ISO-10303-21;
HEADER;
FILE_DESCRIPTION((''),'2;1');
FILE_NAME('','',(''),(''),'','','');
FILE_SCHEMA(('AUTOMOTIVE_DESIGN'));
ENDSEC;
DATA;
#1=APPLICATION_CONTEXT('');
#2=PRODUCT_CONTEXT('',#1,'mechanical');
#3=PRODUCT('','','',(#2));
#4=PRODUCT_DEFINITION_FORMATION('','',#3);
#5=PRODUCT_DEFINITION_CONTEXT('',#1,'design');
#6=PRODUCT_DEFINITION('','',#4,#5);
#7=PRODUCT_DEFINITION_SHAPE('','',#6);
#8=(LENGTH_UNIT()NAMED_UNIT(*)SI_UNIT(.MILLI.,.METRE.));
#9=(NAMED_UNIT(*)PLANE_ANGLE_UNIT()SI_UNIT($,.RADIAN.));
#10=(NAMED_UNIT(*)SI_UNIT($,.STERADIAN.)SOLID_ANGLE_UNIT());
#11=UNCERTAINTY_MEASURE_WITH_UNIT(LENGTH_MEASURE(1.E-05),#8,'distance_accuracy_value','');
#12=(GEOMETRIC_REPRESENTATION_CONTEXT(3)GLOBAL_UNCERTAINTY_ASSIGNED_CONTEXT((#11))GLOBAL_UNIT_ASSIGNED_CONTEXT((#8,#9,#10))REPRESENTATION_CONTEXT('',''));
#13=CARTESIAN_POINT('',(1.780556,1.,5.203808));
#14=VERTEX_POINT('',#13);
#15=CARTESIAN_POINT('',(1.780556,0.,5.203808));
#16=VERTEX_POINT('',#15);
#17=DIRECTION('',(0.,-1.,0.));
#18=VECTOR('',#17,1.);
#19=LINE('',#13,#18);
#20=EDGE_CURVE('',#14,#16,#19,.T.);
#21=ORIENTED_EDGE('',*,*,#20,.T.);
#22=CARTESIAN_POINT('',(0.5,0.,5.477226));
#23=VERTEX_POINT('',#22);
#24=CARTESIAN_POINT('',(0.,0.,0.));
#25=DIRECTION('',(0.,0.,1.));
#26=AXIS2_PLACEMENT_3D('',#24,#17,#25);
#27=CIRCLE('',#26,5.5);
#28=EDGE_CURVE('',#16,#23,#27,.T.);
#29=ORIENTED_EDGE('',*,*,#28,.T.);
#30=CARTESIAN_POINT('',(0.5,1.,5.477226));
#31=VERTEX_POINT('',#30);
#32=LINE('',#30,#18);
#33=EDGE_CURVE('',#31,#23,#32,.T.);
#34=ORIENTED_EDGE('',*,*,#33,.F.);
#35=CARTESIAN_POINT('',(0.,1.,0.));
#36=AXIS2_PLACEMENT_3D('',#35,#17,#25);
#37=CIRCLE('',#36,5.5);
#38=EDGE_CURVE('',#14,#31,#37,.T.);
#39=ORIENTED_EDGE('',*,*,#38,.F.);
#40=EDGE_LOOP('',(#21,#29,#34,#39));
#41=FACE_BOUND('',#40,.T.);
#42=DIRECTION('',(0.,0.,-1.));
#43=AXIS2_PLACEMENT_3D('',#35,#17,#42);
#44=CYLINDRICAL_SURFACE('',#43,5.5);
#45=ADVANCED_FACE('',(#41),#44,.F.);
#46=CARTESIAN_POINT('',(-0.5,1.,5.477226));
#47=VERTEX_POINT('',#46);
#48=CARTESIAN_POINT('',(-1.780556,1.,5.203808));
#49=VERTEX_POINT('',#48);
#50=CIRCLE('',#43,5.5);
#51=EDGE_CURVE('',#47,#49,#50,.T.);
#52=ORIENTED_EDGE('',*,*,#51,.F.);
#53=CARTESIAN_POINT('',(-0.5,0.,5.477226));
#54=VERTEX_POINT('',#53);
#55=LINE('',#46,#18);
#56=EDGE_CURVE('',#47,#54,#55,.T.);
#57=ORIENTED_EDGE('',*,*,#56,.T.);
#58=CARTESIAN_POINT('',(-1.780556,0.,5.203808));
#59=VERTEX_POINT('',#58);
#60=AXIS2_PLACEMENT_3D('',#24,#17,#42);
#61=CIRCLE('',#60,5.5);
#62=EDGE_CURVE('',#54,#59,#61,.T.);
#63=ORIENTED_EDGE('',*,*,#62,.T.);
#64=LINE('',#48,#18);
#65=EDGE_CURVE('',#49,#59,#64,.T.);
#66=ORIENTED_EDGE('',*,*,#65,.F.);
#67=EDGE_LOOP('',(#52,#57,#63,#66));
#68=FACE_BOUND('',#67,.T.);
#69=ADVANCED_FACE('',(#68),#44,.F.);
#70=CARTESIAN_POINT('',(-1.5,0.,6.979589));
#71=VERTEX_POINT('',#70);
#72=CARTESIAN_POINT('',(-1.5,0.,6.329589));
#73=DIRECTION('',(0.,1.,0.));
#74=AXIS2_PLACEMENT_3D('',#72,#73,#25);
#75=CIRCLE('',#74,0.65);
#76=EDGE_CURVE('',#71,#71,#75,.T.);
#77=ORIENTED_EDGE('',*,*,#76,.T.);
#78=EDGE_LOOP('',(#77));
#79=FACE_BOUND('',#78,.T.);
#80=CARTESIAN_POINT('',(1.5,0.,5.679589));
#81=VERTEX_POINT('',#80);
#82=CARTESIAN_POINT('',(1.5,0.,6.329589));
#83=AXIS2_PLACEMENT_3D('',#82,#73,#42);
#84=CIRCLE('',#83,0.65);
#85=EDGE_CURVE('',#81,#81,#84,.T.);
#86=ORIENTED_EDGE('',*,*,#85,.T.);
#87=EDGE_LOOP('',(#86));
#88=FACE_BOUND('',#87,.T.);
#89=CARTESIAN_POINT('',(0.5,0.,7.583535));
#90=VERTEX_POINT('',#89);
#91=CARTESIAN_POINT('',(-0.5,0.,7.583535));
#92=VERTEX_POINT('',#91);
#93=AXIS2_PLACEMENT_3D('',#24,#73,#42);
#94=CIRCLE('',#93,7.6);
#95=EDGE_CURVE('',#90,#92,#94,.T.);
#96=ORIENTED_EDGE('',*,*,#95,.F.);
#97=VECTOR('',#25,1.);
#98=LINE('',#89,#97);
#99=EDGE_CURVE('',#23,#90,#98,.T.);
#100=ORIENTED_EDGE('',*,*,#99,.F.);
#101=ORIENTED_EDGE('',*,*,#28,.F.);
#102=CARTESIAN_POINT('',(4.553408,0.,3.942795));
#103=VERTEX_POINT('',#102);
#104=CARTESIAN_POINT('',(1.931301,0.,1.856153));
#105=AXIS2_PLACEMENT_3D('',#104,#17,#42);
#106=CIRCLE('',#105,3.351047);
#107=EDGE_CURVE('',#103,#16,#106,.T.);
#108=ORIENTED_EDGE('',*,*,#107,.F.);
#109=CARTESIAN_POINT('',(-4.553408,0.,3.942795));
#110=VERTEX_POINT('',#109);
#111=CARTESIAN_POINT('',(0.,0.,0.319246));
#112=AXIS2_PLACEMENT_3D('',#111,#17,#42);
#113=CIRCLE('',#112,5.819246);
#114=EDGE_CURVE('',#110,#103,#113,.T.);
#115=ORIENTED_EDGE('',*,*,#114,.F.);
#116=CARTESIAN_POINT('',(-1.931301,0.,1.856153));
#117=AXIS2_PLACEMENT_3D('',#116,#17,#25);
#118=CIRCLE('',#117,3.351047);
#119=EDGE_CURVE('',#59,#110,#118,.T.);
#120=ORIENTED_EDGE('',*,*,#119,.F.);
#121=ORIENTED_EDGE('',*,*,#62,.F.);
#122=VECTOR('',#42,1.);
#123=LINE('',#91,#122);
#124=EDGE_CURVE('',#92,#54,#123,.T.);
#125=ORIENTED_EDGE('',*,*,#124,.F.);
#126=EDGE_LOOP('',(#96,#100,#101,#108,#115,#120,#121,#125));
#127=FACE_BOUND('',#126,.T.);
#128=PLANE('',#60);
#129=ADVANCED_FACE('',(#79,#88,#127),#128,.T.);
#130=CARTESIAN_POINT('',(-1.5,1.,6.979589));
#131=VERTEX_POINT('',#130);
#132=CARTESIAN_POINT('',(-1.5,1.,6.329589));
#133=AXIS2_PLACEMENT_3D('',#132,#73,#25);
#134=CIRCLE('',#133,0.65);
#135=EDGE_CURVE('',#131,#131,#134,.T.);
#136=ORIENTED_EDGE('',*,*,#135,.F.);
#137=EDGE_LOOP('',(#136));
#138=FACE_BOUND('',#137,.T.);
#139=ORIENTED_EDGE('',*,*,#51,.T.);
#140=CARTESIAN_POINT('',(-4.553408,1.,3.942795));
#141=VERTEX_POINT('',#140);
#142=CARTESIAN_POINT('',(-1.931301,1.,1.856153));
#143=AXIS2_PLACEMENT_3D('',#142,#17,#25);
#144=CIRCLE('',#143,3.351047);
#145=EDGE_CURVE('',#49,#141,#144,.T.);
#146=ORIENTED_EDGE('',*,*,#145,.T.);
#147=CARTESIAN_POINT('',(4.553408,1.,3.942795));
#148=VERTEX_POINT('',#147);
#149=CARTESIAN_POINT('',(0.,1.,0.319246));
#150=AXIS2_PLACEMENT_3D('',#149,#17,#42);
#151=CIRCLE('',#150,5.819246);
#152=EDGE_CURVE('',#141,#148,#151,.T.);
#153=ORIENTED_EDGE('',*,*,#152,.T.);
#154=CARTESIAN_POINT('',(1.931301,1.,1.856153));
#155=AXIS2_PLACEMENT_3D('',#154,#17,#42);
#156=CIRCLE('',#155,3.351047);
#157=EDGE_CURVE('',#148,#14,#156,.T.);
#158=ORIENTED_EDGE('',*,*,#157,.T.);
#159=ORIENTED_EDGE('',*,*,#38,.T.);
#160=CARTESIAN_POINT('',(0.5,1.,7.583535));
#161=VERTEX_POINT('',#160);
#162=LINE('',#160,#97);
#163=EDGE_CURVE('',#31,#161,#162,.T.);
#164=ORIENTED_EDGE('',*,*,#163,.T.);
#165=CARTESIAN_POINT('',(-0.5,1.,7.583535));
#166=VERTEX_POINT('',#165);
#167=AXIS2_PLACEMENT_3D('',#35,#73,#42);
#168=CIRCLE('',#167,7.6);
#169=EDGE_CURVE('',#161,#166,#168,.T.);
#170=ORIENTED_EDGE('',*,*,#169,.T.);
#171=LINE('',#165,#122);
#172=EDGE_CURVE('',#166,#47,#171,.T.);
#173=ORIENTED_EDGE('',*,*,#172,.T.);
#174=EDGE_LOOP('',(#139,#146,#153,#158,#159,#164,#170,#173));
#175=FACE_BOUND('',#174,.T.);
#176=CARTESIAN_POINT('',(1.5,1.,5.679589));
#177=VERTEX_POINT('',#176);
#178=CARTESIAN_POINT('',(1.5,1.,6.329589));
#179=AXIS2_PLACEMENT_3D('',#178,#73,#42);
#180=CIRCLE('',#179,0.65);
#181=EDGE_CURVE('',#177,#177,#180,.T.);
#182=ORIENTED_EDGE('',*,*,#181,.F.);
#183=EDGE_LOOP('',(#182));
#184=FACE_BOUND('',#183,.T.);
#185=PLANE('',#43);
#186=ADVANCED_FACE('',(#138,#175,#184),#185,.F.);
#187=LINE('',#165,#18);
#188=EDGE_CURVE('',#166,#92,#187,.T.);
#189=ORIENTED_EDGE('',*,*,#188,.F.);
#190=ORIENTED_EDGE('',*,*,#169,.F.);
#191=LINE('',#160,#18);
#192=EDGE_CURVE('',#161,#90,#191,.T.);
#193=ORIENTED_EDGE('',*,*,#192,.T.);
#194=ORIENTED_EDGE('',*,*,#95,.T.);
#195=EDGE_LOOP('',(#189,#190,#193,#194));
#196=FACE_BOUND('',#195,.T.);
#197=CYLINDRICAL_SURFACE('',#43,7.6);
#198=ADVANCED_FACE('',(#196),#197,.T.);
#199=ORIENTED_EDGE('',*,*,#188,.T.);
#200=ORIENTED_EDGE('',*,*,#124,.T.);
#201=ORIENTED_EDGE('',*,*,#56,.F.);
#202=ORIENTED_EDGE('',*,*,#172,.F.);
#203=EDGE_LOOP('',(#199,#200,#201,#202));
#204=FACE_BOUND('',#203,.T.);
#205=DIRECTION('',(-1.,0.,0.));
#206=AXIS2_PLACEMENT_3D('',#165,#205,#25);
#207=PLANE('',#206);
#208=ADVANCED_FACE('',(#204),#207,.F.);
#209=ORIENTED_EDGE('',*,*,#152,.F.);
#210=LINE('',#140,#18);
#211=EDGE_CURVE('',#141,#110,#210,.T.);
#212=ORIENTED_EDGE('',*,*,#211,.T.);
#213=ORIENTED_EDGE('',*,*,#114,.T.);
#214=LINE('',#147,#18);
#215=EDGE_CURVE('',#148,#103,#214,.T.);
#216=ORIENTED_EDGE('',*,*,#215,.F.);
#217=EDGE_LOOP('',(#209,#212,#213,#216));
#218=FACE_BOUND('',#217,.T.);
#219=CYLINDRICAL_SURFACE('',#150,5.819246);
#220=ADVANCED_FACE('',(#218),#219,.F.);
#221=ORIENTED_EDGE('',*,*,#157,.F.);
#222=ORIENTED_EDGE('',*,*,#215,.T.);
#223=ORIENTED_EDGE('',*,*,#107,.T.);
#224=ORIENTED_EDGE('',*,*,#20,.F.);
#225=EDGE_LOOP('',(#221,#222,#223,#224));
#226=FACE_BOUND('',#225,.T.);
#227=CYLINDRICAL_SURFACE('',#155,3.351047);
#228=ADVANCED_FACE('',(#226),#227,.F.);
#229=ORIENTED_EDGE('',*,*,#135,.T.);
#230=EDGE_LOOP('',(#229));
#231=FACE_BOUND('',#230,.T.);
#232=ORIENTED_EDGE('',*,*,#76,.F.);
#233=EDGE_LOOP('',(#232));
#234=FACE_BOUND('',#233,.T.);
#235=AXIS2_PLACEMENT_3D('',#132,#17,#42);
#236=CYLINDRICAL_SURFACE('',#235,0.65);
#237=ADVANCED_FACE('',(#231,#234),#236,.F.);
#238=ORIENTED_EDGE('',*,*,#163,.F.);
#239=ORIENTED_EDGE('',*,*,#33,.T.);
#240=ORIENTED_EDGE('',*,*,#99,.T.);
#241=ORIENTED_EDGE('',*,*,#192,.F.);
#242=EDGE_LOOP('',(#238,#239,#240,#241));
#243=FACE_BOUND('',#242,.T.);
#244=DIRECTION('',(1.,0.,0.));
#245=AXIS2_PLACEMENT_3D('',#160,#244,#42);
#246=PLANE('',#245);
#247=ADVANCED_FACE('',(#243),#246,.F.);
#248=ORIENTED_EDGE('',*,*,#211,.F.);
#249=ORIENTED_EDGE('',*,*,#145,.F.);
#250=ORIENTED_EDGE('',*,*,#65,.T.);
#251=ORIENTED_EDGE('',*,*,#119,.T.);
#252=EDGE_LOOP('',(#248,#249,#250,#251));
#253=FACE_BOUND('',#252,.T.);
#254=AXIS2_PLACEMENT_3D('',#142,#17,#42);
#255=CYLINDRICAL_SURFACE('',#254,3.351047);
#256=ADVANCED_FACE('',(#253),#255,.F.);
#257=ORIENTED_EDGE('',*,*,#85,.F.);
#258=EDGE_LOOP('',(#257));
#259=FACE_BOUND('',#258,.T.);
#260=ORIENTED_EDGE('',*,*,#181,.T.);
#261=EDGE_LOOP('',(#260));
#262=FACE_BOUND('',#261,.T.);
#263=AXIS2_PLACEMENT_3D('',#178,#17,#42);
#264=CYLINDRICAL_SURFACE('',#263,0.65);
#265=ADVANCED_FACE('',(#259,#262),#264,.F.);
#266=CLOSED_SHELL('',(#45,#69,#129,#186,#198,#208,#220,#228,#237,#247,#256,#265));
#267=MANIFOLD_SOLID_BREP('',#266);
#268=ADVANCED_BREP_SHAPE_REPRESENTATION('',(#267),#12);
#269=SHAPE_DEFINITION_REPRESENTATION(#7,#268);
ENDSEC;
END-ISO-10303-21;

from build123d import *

# Parameters (mm, degrees)
SKETCH1_R           = 0.65
BOSS_EXTRUDE1_DEPTH = 1


with BuildPart() as part:
    # Sketch1 → Boss-Extrude1 (new body)
    with BuildSketch(Plane(origin=(0, 0, 0), x_dir=(1, 0, 0), z_dir=(0, 1, 0))):
        with BuildLine():
            Line((-0.5, -7.583534796), (-0.5, -5.477225575))
            ThreePointArc((-0.5, -5.477225575), (-1.148443874, -5.37876163), (-1.780556133, -5.203808207))
            ThreePointArc((-1.780556133, -5.203808207), (-3.318545169, -4.906574915), (-4.553408035, -3.94279506))
            ThreePointArc((-4.553408035, -3.94279506), (0, 5.5), (4.553408035, -3.94279506))
            ThreePointArc((4.553408035, -3.94279506), (3.318545169, -4.906574915), (1.780556133, -5.203808207))
            ThreePointArc((1.780556133, -5.203808207), (1.148443874, -5.37876163), (0.5, -5.477225575))
            Line((0.5, -5.477225575), (0.5, -7.583534796))
            ThreePointArc((0.5, -7.583534796), (0, 7.6), (-0.5, -7.583534796))
        make_face()
        with Locations((-1.5, -6.329588857)):
            Circle(SKETCH1_R, mode=Mode.SUBTRACT)
        with Locations((1.5, -6.329588857)):
            Circle(SKETCH1_R, mode=Mode.SUBTRACT)
    extrude(amount=BOSS_EXTRUDE1_DEPTH)


solid = part.part
